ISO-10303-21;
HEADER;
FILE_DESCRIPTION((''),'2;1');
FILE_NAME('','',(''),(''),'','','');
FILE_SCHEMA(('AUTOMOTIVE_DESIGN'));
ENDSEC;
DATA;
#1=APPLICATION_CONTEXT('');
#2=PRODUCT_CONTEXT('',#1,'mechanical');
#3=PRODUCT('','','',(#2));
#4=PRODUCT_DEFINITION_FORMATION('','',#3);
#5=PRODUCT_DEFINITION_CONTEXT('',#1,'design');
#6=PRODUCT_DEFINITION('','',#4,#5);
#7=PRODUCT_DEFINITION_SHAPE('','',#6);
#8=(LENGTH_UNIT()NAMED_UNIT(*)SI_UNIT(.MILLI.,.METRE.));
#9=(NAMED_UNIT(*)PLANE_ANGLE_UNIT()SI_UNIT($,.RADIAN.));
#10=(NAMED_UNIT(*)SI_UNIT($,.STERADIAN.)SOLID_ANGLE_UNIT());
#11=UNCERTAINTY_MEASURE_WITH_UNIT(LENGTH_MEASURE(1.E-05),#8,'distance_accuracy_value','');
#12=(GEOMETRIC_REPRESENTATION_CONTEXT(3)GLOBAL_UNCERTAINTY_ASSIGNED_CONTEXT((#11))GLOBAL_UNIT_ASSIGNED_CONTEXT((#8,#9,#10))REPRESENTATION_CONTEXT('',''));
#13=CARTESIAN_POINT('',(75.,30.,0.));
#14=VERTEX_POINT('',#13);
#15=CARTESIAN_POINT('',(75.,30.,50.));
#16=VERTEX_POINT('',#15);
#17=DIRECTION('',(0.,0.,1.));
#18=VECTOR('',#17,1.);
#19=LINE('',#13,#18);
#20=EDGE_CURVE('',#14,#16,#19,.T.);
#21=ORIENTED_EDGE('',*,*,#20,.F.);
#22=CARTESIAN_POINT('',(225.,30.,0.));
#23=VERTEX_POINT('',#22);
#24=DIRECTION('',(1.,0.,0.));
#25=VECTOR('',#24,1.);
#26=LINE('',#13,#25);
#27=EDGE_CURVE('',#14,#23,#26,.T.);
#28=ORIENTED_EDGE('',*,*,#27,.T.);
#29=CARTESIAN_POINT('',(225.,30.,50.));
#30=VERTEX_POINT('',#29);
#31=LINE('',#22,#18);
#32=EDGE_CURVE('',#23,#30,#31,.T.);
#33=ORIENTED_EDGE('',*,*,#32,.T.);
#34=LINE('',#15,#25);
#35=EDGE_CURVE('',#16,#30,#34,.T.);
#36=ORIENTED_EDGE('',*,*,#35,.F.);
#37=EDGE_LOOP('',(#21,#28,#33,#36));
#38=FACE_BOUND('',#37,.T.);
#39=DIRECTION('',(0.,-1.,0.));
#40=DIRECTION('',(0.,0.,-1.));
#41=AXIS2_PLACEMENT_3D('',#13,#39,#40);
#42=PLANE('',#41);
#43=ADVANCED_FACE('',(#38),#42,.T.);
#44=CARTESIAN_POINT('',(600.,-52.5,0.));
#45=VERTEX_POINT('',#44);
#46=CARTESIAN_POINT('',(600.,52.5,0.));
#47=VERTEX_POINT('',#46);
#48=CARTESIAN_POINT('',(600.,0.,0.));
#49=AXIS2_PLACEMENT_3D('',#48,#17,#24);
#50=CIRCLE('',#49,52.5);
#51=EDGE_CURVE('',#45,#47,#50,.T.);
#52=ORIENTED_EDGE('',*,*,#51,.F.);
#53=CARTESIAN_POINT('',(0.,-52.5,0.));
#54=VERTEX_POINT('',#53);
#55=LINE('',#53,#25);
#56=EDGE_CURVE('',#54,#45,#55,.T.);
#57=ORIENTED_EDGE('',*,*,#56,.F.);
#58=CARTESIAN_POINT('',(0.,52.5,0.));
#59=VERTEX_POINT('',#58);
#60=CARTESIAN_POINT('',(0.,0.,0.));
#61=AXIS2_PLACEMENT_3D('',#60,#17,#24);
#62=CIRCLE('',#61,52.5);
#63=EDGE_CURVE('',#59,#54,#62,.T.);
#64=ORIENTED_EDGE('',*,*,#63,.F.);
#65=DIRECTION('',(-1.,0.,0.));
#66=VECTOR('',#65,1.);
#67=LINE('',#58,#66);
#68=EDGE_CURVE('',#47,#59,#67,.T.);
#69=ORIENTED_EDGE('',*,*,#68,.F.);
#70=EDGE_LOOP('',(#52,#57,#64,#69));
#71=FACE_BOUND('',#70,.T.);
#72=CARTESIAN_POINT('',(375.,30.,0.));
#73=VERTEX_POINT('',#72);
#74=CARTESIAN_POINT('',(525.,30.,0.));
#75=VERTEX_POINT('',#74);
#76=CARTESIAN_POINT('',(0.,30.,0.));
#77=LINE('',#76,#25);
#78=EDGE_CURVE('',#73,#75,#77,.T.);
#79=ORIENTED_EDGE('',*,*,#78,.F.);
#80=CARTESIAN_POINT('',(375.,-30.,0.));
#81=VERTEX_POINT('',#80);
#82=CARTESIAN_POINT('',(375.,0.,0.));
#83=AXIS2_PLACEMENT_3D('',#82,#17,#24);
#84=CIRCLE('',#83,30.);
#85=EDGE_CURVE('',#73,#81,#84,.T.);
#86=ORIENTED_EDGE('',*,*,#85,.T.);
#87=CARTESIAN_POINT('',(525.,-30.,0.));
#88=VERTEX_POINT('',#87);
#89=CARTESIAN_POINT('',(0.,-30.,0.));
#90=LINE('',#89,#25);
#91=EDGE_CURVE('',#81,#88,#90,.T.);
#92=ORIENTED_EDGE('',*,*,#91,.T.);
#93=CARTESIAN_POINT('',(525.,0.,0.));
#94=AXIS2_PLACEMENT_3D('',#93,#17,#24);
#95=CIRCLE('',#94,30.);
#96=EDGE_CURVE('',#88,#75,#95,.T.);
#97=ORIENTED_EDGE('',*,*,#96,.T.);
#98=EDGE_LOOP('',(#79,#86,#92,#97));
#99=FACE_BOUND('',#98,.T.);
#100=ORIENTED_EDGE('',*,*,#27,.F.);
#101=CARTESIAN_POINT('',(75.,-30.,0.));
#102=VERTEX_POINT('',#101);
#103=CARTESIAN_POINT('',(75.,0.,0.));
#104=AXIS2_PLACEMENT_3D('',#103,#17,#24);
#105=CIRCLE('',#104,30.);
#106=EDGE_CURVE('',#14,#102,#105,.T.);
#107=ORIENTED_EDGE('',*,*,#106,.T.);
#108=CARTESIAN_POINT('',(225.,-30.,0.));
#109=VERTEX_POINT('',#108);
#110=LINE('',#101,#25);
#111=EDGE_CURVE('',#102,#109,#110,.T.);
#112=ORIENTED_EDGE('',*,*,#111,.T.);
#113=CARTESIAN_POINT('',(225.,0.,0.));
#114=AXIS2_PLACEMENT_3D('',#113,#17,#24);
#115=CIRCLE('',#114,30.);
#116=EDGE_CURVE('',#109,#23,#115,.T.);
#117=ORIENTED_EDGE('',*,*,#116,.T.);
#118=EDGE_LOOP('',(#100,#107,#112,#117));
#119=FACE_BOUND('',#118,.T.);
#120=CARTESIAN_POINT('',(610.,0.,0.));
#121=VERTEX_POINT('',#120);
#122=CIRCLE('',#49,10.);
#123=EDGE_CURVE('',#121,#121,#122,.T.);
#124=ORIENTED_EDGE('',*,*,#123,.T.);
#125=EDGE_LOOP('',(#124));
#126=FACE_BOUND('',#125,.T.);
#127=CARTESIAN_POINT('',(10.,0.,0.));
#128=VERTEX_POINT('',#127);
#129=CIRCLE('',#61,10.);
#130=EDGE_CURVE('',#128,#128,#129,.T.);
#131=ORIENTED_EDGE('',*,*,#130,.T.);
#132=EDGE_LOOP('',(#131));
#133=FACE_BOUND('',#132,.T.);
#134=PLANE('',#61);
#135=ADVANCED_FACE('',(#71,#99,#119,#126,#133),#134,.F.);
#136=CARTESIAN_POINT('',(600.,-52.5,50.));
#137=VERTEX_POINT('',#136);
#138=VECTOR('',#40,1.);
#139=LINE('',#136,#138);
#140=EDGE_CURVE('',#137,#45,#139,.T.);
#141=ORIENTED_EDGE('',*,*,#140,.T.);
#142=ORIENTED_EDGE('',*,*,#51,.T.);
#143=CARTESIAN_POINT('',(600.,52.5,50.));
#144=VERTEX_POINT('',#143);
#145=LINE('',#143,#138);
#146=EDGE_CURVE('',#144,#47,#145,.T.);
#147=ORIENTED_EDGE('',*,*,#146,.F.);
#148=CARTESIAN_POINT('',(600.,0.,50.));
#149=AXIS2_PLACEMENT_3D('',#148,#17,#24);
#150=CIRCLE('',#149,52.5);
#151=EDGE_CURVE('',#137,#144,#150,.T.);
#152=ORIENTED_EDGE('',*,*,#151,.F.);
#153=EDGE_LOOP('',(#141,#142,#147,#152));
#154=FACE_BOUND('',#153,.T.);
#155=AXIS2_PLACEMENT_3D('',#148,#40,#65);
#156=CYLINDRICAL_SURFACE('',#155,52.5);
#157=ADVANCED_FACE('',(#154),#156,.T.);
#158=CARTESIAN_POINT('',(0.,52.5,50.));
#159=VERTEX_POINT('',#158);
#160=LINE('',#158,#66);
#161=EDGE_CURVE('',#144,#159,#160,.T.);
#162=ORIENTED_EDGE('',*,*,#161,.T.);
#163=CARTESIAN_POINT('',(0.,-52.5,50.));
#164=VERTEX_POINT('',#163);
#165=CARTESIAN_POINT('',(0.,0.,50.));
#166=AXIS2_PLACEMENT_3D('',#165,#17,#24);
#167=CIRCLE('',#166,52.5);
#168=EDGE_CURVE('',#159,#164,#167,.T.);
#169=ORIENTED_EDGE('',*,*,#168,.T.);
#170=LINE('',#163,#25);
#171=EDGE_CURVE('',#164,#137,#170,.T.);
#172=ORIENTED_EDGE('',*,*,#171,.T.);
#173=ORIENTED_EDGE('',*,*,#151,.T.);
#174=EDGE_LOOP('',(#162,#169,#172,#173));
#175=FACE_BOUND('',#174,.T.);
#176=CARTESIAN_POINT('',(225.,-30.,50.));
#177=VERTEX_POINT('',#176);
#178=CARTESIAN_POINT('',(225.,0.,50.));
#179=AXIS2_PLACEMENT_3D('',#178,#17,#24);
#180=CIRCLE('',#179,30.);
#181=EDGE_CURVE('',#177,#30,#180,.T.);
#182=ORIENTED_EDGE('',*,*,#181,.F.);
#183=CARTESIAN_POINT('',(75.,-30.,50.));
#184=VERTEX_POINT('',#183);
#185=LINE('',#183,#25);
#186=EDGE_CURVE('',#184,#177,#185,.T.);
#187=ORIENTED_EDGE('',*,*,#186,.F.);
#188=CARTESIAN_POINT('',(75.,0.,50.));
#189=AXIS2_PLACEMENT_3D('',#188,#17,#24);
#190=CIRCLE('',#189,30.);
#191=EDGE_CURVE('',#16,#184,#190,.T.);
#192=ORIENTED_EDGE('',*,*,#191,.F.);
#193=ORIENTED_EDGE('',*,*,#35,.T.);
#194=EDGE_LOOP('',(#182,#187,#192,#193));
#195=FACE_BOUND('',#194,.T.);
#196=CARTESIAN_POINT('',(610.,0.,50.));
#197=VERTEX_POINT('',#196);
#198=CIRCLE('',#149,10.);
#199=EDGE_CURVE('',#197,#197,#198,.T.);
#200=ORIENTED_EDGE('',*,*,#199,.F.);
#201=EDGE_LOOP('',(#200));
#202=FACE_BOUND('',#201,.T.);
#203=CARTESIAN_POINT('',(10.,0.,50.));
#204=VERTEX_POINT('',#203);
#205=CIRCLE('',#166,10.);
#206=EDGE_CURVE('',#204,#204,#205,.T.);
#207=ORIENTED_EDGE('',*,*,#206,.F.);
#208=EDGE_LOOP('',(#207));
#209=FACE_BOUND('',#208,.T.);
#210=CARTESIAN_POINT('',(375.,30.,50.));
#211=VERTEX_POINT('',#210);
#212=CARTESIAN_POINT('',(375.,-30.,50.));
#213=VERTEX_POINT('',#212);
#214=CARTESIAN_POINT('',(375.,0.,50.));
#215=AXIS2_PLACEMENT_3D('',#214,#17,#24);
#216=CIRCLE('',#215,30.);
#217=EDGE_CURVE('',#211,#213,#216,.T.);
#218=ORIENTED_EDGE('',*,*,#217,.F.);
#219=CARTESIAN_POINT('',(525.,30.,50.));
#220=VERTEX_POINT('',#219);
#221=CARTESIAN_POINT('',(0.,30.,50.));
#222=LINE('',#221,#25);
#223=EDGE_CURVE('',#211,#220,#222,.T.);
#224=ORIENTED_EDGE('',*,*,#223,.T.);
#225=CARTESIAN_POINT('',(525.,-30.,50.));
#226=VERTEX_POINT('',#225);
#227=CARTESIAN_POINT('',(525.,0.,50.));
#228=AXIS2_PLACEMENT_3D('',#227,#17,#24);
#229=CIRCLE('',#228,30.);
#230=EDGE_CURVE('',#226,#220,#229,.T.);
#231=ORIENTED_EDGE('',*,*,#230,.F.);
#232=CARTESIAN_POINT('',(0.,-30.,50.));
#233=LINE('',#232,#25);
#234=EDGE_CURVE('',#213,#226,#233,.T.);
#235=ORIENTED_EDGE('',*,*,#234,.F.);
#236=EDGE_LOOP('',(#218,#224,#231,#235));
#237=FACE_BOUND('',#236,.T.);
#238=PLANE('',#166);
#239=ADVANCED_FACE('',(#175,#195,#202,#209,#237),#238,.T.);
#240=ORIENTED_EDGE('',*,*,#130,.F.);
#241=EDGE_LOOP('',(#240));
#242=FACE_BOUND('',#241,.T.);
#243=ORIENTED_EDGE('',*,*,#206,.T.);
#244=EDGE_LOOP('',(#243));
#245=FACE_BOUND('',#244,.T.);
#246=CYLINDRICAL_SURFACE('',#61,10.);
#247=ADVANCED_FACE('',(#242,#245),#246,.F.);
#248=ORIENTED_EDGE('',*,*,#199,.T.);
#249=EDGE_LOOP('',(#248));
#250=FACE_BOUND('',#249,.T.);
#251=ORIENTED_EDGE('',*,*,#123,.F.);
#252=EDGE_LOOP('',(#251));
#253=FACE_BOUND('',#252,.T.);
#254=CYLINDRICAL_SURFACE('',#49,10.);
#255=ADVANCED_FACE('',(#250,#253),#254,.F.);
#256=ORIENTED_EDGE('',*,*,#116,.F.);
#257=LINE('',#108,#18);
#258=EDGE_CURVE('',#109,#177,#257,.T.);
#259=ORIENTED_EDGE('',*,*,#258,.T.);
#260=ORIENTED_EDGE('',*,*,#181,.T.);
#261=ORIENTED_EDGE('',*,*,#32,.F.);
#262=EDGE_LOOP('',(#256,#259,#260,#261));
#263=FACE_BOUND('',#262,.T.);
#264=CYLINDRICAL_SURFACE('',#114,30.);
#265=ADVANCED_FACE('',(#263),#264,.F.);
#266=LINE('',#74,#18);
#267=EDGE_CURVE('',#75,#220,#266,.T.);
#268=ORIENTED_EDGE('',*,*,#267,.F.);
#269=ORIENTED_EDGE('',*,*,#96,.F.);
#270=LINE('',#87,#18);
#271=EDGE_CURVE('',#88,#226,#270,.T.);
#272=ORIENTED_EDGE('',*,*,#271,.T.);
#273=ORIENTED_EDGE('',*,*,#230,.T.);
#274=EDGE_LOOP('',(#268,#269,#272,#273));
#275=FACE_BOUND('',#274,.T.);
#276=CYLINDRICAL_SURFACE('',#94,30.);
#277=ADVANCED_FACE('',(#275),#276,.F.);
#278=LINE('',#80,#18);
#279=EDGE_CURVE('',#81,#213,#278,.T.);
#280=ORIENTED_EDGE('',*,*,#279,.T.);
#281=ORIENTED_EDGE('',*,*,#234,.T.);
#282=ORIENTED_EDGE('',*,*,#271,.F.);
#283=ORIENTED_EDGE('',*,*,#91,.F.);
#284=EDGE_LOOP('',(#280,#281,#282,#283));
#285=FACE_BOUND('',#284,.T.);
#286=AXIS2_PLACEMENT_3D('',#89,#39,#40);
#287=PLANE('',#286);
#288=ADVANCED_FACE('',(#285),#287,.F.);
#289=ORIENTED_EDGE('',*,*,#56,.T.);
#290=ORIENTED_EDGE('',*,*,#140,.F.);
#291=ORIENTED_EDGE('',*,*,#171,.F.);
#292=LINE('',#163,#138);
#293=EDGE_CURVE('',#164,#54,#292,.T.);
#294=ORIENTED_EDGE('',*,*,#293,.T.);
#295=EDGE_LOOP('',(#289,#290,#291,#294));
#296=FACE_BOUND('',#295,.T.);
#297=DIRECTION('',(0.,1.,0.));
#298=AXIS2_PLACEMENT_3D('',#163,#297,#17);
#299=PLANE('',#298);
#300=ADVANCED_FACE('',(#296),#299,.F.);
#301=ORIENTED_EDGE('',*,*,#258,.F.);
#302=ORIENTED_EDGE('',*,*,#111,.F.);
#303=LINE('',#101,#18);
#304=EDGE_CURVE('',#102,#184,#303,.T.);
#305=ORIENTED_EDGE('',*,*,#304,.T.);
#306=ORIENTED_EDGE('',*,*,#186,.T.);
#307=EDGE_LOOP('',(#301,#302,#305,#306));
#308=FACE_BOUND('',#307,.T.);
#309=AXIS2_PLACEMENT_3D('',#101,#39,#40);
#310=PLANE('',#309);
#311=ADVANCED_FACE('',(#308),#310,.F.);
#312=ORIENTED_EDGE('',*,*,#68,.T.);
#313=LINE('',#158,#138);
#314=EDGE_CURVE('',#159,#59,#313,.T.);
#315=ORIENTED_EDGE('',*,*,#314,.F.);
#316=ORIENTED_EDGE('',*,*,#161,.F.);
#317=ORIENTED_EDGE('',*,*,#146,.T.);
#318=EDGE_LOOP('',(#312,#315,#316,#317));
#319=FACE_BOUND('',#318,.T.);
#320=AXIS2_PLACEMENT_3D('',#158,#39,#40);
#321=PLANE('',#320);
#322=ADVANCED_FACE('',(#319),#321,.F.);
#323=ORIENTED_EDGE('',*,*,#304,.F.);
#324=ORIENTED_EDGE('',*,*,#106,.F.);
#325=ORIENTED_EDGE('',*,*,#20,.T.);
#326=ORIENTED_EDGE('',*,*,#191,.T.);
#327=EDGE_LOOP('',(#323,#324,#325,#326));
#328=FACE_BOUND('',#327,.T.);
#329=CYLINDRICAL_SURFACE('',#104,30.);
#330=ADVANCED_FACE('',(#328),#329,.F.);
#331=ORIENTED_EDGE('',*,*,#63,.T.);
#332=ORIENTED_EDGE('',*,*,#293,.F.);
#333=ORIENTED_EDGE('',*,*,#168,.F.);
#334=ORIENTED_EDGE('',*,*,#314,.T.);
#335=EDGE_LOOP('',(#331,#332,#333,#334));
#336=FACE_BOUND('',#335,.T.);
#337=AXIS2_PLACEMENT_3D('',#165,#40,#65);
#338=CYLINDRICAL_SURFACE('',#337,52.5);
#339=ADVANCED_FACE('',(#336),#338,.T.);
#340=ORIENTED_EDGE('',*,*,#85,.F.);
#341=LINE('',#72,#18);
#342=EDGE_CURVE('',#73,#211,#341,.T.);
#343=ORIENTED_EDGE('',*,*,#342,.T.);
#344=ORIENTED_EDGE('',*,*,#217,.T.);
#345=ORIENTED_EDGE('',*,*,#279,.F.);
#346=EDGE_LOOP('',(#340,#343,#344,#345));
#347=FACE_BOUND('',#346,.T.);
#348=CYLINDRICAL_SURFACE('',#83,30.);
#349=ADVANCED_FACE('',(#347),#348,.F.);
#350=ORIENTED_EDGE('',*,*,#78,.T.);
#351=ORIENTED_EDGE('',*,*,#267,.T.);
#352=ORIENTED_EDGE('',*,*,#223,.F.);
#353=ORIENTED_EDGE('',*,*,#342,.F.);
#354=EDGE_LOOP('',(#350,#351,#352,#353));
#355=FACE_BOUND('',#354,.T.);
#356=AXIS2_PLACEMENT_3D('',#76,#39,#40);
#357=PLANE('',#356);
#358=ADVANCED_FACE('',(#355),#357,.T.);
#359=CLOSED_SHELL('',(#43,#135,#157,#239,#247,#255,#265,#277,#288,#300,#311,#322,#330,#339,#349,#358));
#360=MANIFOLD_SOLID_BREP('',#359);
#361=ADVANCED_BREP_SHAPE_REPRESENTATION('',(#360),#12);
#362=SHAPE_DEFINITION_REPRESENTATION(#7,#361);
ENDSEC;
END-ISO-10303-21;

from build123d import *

# Parameters (mm, degrees)
EXTRUDE_1_DEPTH     = 50
SKETCH_2_R          = 10
CUT_EXTRUDE_1_DEPTH = 657.515422515


with BuildPart() as part:
    # 草图1 → 凸台-拉伸1 (new body)
    with BuildSketch(Plane.XY):
        with BuildLine():
            Line((0, 52.5), (600, 52.5))
            ThreePointArc((600, 52.5), (652.5, 0), (600, -52.5))
            Line((600, -52.5), (0, -52.5))
            ThreePointArc((0, -52.5), (-52.5, 0), (0, 52.5))
        make_face()
    extrude(amount=EXTRUDE_1_DEPTH)

    # 草图2 → 切除-拉伸1 (cut, through all)
    with BuildSketch(Plane.XY.offset(50)):
        with BuildLine():
            Line((375, -30), (525, -30))
            ThreePointArc((525, -30), (555, 0), (525, 30))
            Line((525, 30), (375, 30))
            ThreePointArc((375, 30), (345, 0), (375, -30))
        make_face()
        with Locations((600, 0)):
            Circle(SKETCH_2_R)
        Circle(SKETCH_2_R)
        with BuildLine():
            Line((75, -30), (225, -30))
            ThreePointArc((225, -30), (255, 0), (225, 30))
            Line((225, 30), (75, 30))
            ThreePointArc((75, 30), (45, 0), (75, -30))
        make_face()
    extrude(amount=-CUT_EXTRUDE_1_DEPTH, mode=Mode.SUBTRACT)


solid = part.part
